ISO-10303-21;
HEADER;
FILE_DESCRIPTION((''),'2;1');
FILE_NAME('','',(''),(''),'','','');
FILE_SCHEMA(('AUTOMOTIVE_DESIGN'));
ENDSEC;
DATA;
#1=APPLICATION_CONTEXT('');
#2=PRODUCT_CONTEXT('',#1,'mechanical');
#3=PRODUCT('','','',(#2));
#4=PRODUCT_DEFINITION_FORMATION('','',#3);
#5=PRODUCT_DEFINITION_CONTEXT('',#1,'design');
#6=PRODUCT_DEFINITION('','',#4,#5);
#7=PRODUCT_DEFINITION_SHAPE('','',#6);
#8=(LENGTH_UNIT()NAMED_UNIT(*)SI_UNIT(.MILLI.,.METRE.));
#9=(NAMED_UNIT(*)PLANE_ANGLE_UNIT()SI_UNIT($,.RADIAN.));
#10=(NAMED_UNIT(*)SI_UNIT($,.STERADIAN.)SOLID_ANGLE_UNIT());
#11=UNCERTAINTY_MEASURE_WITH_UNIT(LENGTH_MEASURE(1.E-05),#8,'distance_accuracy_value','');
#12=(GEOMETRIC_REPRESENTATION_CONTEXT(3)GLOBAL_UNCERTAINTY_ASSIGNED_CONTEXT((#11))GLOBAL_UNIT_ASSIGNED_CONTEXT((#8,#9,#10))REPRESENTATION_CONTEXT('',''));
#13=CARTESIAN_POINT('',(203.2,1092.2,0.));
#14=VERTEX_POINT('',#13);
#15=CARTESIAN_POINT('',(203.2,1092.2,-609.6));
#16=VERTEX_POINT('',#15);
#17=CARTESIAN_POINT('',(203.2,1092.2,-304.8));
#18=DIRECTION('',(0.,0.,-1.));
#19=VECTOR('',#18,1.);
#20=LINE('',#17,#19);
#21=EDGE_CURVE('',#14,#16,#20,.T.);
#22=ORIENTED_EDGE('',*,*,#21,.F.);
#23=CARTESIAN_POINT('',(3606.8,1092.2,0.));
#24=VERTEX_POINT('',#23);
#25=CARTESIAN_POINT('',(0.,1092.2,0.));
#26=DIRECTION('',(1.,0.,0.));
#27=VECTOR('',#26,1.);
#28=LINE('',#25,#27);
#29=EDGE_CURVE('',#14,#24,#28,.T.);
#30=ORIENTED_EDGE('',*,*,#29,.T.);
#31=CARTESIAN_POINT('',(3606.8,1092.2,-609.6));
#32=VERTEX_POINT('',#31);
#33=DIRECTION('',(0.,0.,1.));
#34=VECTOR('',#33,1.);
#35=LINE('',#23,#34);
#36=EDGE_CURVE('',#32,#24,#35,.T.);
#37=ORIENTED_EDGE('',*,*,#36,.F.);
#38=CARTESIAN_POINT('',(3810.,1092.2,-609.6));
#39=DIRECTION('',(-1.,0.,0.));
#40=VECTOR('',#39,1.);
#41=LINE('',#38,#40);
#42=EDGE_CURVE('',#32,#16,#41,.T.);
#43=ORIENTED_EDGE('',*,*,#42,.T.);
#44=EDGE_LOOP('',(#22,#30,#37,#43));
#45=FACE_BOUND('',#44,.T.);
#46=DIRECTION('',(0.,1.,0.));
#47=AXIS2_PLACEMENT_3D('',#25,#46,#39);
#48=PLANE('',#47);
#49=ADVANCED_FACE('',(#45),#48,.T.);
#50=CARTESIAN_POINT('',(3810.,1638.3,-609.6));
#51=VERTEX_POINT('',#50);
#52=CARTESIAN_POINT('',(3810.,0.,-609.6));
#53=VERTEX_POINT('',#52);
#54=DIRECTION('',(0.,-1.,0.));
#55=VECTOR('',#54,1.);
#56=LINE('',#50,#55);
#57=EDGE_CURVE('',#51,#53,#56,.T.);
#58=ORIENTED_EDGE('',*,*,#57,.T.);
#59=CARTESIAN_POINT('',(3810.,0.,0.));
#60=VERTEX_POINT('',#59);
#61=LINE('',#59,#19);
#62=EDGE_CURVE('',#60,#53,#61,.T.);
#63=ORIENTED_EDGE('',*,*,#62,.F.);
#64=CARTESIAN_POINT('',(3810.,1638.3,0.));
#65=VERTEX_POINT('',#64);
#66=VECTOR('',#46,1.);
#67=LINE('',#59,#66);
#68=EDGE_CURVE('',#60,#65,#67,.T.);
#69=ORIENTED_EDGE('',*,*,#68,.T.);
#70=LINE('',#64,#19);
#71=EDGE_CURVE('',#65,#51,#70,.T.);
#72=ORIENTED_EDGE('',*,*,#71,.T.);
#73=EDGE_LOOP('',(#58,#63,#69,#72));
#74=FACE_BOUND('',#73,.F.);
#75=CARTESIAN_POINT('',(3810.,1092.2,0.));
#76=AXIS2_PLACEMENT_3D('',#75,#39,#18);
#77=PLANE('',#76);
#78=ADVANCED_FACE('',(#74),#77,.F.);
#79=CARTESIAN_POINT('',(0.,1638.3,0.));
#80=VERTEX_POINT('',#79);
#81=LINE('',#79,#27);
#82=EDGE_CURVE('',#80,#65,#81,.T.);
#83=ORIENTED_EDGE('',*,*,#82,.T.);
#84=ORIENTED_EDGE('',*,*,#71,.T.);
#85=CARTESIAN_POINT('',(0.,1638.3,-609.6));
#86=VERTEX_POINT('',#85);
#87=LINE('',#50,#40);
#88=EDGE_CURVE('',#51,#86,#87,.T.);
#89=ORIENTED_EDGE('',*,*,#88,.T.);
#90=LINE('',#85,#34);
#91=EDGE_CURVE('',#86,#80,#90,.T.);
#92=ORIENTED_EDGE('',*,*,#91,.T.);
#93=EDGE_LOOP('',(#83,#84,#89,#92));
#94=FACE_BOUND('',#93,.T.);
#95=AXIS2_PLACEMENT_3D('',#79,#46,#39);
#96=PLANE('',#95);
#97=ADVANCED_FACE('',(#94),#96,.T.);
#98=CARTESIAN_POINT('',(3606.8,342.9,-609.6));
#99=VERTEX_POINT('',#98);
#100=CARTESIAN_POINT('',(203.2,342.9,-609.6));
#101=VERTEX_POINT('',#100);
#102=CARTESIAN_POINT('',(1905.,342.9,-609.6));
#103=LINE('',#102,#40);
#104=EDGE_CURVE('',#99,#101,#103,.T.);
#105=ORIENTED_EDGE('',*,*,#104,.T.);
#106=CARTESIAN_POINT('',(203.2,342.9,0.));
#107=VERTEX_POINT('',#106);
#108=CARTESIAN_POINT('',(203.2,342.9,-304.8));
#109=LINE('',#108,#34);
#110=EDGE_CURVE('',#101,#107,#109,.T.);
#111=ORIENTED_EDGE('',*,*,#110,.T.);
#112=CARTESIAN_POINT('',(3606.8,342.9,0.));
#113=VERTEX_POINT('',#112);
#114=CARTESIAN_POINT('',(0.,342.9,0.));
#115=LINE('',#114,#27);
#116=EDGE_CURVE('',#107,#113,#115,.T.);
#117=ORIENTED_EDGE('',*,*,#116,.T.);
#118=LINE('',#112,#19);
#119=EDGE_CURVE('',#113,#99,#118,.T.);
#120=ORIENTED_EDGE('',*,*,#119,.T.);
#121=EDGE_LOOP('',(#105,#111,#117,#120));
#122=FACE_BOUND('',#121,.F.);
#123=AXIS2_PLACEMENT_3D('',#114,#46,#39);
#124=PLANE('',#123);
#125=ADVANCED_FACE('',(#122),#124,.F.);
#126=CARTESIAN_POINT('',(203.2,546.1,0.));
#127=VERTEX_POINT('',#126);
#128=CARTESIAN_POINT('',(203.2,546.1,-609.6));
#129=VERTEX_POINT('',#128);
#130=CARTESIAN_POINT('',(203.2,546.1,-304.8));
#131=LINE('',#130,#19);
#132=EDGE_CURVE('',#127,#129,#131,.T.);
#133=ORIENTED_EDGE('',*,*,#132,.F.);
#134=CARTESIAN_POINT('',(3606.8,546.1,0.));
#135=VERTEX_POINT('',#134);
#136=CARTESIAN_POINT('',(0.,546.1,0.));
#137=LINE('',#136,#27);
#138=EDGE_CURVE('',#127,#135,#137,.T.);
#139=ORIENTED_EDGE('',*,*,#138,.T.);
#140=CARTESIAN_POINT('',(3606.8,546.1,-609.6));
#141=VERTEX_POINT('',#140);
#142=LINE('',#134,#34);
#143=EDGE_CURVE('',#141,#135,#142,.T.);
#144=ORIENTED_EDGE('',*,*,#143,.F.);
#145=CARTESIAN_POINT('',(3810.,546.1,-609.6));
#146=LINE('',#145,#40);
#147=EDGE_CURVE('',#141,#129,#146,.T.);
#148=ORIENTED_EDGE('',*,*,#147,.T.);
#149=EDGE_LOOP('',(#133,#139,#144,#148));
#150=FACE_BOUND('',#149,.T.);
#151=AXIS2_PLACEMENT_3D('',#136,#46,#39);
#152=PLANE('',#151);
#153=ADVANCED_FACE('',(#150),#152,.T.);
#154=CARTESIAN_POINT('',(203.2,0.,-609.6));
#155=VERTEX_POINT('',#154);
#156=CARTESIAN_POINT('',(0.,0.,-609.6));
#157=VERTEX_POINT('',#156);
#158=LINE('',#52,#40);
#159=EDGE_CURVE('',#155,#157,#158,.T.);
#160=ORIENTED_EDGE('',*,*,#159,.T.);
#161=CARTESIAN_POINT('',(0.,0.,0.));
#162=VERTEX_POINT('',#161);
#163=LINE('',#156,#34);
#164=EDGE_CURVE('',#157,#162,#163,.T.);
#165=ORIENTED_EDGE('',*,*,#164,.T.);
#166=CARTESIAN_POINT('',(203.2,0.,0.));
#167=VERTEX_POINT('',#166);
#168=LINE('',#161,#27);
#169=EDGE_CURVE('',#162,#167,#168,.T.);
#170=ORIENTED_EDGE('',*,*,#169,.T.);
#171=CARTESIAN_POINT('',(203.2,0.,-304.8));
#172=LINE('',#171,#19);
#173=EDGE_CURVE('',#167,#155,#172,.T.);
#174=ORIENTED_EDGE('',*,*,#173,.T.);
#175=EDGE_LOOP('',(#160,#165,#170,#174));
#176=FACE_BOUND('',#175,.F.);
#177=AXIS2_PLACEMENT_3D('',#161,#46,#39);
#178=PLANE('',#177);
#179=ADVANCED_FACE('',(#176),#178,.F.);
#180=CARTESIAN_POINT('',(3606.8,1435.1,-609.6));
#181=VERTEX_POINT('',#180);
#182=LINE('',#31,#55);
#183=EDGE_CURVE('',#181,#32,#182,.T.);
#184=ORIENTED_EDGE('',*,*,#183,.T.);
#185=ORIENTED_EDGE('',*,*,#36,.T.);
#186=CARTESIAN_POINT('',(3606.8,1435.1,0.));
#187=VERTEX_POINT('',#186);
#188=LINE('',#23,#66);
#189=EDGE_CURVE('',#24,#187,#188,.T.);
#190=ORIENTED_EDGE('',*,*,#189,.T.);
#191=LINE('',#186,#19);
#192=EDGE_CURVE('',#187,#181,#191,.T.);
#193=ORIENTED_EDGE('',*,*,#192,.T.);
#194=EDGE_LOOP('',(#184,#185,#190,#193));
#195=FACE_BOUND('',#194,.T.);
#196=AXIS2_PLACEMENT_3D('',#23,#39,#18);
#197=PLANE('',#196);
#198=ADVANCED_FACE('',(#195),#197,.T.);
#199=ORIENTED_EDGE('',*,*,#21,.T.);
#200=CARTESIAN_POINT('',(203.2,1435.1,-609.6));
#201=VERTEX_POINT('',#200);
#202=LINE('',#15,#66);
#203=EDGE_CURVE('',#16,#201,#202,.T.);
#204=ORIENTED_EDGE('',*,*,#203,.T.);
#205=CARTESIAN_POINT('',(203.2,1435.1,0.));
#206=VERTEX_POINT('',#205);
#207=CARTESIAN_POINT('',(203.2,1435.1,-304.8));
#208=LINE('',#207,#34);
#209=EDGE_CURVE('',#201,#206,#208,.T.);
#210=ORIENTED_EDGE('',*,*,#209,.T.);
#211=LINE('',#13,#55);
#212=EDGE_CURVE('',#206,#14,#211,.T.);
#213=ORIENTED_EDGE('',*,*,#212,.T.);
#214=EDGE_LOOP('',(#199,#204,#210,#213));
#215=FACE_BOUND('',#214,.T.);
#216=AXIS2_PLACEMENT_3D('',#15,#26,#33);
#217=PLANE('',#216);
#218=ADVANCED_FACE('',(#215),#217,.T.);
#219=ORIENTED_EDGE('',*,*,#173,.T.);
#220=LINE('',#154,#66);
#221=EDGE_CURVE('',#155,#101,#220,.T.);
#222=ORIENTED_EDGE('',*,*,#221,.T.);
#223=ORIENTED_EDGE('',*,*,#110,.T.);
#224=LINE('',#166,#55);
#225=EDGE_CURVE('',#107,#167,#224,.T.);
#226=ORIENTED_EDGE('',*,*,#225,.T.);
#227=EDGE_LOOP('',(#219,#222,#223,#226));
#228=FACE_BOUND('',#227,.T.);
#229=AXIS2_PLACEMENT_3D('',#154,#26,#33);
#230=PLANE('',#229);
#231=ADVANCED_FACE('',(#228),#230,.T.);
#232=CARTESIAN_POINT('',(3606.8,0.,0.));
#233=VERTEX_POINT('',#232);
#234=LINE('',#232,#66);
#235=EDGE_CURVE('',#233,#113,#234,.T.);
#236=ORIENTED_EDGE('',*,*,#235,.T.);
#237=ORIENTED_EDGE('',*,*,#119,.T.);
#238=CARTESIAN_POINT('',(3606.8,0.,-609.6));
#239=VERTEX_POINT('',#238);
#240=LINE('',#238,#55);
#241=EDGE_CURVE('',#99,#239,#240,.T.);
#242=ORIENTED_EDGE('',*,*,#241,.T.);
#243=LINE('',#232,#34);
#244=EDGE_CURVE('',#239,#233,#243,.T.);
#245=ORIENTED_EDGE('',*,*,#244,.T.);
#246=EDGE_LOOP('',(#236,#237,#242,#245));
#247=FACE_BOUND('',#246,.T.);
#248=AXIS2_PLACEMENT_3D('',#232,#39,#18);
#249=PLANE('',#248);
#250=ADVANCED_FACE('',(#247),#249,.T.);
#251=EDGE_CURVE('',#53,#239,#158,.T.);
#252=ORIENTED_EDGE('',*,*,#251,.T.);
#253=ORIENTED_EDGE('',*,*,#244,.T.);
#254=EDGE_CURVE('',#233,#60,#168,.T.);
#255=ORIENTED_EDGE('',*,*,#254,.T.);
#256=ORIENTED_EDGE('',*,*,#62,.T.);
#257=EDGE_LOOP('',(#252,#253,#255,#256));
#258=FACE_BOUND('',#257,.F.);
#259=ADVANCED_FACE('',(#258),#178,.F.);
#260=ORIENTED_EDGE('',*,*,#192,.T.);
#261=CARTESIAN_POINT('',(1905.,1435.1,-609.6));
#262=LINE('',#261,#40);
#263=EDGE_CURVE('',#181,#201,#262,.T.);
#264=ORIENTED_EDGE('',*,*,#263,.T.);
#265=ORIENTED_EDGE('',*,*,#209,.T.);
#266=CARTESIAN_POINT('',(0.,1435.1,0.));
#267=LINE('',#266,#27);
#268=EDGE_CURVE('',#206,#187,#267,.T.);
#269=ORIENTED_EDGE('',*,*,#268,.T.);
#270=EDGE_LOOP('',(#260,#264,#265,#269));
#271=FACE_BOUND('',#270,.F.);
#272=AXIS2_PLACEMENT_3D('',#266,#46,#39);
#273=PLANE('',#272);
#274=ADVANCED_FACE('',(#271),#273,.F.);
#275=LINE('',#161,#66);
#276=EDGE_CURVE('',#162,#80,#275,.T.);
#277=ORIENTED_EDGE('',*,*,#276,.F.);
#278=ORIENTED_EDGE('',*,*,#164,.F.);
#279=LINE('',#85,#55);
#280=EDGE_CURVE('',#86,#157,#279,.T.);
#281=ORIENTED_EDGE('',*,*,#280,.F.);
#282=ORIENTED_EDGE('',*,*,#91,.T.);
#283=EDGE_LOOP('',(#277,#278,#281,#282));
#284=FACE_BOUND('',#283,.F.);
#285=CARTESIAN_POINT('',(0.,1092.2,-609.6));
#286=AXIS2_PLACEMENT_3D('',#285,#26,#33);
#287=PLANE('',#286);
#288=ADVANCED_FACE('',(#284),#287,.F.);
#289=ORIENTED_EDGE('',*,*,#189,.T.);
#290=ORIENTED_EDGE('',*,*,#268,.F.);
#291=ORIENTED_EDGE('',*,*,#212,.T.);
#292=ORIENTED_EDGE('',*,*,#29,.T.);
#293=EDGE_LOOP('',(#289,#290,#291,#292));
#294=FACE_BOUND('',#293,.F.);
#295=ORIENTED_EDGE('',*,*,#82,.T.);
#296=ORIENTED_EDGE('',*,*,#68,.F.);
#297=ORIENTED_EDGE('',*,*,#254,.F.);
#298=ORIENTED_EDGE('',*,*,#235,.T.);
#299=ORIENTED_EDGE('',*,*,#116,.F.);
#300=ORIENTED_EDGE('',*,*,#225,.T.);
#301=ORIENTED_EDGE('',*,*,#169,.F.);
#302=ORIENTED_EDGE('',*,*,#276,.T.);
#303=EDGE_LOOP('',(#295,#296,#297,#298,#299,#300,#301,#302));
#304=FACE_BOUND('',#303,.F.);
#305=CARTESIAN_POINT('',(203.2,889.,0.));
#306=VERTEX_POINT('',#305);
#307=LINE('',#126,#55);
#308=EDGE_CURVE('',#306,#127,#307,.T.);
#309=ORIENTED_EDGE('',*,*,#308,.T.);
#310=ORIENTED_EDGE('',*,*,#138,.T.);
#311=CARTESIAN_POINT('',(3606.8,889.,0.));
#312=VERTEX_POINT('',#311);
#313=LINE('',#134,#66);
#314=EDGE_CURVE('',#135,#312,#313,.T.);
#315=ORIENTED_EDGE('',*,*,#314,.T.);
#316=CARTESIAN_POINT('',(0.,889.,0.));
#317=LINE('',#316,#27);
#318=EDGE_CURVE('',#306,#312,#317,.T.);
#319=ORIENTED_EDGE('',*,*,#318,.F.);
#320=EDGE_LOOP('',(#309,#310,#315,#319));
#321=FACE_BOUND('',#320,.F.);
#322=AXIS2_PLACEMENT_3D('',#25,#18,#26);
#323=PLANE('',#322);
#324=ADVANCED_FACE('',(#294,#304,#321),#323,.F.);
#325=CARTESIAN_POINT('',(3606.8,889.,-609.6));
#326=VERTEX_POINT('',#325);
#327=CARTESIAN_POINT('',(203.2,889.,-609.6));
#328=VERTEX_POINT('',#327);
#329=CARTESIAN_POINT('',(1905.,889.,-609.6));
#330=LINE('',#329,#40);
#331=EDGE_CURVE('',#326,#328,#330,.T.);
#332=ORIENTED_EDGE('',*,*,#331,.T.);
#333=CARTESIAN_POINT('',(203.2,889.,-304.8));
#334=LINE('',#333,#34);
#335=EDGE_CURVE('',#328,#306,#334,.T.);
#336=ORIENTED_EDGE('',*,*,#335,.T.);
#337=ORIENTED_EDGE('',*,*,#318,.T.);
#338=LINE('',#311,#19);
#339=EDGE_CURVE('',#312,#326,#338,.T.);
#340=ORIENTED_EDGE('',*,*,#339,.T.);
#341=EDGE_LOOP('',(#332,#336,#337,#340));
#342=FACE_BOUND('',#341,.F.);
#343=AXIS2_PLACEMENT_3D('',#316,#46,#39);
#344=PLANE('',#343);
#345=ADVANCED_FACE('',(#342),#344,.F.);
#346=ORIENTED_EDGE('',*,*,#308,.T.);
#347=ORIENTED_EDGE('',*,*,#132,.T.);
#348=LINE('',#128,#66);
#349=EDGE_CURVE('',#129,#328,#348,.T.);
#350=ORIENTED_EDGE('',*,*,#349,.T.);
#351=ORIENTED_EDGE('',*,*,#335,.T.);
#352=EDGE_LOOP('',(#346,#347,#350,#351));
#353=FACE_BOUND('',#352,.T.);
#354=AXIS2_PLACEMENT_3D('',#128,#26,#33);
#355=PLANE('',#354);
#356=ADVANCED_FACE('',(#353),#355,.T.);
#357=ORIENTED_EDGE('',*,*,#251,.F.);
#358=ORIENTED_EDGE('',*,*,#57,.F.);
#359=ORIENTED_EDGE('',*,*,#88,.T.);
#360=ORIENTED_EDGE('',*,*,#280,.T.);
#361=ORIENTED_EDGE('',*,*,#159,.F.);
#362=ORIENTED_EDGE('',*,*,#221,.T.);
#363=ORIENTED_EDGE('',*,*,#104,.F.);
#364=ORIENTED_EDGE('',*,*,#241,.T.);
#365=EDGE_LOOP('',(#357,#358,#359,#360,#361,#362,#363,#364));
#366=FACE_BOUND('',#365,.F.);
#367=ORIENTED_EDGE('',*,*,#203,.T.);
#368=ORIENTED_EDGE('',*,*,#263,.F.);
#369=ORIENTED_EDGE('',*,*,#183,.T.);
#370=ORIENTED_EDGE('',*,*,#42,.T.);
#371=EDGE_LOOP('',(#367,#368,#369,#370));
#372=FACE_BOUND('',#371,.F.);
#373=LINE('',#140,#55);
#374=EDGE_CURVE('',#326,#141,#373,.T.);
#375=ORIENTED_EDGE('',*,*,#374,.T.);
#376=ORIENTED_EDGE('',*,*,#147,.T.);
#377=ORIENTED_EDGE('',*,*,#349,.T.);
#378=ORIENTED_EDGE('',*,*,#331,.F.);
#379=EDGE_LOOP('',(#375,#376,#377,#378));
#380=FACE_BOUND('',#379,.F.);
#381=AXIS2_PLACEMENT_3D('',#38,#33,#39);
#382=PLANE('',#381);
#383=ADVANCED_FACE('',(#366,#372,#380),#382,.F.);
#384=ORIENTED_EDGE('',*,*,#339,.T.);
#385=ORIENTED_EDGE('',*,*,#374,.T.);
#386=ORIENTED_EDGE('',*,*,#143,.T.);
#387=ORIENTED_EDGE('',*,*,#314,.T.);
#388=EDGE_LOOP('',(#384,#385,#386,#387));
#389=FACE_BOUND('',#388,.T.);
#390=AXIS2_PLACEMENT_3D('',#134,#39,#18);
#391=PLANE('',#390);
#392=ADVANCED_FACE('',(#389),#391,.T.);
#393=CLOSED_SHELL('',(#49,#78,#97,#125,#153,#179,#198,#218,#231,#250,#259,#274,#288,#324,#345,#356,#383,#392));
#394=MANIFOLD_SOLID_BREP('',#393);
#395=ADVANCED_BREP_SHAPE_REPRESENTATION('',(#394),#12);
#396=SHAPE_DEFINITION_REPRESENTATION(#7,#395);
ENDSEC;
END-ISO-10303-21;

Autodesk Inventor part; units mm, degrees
ref_plane "YZ Plane" through (0, 0, 0) normal (1, 0, 0) x (0, 1, 0)
ref_plane "XZ Plane" through (0, 0, 0) normal (0, 1, 0) x (-1, 0, 0)
ref_plane "XY Plane" through (0, 0, 0) normal (0, 0, 1) x (1, 0, 0)
sketch "Sketch2" plane through (0, 0, 0) normal (0, 1, 0) x (-1, 0, 0)
  line L0 (0, 0) -> (-3810, 0)
  line L1 (-3810, 0) -> (-3810, -609.6)
  line L2 (-3810, -609.6) -> (0, -609.6)
  line L3 (0, -609.6) -> (0, 0)
  dimension "d2" = 609.6
  dimension "d3" = 3810
extrude "Extrusion1" add sketch "Sketch2" along normal blind 546.1
shell "Shell1" thickness 203.2 removed faces 3 at (1270, 364.0667, 0) at (2540, 364.0667, -609.6) at (2540, 0, -203.2)
pattern_linear "Rectangular Pattern1" count 3 spacing 546.1 along (0, 1, 0)
equation "\"d4\" = shelfheight"
equation "\"d8\" = shelfheight"
equation "\"totalheight\" = 1638.3"
equation "\"shelfheight\" = 546.1"
properties part number "Large Shelves"
